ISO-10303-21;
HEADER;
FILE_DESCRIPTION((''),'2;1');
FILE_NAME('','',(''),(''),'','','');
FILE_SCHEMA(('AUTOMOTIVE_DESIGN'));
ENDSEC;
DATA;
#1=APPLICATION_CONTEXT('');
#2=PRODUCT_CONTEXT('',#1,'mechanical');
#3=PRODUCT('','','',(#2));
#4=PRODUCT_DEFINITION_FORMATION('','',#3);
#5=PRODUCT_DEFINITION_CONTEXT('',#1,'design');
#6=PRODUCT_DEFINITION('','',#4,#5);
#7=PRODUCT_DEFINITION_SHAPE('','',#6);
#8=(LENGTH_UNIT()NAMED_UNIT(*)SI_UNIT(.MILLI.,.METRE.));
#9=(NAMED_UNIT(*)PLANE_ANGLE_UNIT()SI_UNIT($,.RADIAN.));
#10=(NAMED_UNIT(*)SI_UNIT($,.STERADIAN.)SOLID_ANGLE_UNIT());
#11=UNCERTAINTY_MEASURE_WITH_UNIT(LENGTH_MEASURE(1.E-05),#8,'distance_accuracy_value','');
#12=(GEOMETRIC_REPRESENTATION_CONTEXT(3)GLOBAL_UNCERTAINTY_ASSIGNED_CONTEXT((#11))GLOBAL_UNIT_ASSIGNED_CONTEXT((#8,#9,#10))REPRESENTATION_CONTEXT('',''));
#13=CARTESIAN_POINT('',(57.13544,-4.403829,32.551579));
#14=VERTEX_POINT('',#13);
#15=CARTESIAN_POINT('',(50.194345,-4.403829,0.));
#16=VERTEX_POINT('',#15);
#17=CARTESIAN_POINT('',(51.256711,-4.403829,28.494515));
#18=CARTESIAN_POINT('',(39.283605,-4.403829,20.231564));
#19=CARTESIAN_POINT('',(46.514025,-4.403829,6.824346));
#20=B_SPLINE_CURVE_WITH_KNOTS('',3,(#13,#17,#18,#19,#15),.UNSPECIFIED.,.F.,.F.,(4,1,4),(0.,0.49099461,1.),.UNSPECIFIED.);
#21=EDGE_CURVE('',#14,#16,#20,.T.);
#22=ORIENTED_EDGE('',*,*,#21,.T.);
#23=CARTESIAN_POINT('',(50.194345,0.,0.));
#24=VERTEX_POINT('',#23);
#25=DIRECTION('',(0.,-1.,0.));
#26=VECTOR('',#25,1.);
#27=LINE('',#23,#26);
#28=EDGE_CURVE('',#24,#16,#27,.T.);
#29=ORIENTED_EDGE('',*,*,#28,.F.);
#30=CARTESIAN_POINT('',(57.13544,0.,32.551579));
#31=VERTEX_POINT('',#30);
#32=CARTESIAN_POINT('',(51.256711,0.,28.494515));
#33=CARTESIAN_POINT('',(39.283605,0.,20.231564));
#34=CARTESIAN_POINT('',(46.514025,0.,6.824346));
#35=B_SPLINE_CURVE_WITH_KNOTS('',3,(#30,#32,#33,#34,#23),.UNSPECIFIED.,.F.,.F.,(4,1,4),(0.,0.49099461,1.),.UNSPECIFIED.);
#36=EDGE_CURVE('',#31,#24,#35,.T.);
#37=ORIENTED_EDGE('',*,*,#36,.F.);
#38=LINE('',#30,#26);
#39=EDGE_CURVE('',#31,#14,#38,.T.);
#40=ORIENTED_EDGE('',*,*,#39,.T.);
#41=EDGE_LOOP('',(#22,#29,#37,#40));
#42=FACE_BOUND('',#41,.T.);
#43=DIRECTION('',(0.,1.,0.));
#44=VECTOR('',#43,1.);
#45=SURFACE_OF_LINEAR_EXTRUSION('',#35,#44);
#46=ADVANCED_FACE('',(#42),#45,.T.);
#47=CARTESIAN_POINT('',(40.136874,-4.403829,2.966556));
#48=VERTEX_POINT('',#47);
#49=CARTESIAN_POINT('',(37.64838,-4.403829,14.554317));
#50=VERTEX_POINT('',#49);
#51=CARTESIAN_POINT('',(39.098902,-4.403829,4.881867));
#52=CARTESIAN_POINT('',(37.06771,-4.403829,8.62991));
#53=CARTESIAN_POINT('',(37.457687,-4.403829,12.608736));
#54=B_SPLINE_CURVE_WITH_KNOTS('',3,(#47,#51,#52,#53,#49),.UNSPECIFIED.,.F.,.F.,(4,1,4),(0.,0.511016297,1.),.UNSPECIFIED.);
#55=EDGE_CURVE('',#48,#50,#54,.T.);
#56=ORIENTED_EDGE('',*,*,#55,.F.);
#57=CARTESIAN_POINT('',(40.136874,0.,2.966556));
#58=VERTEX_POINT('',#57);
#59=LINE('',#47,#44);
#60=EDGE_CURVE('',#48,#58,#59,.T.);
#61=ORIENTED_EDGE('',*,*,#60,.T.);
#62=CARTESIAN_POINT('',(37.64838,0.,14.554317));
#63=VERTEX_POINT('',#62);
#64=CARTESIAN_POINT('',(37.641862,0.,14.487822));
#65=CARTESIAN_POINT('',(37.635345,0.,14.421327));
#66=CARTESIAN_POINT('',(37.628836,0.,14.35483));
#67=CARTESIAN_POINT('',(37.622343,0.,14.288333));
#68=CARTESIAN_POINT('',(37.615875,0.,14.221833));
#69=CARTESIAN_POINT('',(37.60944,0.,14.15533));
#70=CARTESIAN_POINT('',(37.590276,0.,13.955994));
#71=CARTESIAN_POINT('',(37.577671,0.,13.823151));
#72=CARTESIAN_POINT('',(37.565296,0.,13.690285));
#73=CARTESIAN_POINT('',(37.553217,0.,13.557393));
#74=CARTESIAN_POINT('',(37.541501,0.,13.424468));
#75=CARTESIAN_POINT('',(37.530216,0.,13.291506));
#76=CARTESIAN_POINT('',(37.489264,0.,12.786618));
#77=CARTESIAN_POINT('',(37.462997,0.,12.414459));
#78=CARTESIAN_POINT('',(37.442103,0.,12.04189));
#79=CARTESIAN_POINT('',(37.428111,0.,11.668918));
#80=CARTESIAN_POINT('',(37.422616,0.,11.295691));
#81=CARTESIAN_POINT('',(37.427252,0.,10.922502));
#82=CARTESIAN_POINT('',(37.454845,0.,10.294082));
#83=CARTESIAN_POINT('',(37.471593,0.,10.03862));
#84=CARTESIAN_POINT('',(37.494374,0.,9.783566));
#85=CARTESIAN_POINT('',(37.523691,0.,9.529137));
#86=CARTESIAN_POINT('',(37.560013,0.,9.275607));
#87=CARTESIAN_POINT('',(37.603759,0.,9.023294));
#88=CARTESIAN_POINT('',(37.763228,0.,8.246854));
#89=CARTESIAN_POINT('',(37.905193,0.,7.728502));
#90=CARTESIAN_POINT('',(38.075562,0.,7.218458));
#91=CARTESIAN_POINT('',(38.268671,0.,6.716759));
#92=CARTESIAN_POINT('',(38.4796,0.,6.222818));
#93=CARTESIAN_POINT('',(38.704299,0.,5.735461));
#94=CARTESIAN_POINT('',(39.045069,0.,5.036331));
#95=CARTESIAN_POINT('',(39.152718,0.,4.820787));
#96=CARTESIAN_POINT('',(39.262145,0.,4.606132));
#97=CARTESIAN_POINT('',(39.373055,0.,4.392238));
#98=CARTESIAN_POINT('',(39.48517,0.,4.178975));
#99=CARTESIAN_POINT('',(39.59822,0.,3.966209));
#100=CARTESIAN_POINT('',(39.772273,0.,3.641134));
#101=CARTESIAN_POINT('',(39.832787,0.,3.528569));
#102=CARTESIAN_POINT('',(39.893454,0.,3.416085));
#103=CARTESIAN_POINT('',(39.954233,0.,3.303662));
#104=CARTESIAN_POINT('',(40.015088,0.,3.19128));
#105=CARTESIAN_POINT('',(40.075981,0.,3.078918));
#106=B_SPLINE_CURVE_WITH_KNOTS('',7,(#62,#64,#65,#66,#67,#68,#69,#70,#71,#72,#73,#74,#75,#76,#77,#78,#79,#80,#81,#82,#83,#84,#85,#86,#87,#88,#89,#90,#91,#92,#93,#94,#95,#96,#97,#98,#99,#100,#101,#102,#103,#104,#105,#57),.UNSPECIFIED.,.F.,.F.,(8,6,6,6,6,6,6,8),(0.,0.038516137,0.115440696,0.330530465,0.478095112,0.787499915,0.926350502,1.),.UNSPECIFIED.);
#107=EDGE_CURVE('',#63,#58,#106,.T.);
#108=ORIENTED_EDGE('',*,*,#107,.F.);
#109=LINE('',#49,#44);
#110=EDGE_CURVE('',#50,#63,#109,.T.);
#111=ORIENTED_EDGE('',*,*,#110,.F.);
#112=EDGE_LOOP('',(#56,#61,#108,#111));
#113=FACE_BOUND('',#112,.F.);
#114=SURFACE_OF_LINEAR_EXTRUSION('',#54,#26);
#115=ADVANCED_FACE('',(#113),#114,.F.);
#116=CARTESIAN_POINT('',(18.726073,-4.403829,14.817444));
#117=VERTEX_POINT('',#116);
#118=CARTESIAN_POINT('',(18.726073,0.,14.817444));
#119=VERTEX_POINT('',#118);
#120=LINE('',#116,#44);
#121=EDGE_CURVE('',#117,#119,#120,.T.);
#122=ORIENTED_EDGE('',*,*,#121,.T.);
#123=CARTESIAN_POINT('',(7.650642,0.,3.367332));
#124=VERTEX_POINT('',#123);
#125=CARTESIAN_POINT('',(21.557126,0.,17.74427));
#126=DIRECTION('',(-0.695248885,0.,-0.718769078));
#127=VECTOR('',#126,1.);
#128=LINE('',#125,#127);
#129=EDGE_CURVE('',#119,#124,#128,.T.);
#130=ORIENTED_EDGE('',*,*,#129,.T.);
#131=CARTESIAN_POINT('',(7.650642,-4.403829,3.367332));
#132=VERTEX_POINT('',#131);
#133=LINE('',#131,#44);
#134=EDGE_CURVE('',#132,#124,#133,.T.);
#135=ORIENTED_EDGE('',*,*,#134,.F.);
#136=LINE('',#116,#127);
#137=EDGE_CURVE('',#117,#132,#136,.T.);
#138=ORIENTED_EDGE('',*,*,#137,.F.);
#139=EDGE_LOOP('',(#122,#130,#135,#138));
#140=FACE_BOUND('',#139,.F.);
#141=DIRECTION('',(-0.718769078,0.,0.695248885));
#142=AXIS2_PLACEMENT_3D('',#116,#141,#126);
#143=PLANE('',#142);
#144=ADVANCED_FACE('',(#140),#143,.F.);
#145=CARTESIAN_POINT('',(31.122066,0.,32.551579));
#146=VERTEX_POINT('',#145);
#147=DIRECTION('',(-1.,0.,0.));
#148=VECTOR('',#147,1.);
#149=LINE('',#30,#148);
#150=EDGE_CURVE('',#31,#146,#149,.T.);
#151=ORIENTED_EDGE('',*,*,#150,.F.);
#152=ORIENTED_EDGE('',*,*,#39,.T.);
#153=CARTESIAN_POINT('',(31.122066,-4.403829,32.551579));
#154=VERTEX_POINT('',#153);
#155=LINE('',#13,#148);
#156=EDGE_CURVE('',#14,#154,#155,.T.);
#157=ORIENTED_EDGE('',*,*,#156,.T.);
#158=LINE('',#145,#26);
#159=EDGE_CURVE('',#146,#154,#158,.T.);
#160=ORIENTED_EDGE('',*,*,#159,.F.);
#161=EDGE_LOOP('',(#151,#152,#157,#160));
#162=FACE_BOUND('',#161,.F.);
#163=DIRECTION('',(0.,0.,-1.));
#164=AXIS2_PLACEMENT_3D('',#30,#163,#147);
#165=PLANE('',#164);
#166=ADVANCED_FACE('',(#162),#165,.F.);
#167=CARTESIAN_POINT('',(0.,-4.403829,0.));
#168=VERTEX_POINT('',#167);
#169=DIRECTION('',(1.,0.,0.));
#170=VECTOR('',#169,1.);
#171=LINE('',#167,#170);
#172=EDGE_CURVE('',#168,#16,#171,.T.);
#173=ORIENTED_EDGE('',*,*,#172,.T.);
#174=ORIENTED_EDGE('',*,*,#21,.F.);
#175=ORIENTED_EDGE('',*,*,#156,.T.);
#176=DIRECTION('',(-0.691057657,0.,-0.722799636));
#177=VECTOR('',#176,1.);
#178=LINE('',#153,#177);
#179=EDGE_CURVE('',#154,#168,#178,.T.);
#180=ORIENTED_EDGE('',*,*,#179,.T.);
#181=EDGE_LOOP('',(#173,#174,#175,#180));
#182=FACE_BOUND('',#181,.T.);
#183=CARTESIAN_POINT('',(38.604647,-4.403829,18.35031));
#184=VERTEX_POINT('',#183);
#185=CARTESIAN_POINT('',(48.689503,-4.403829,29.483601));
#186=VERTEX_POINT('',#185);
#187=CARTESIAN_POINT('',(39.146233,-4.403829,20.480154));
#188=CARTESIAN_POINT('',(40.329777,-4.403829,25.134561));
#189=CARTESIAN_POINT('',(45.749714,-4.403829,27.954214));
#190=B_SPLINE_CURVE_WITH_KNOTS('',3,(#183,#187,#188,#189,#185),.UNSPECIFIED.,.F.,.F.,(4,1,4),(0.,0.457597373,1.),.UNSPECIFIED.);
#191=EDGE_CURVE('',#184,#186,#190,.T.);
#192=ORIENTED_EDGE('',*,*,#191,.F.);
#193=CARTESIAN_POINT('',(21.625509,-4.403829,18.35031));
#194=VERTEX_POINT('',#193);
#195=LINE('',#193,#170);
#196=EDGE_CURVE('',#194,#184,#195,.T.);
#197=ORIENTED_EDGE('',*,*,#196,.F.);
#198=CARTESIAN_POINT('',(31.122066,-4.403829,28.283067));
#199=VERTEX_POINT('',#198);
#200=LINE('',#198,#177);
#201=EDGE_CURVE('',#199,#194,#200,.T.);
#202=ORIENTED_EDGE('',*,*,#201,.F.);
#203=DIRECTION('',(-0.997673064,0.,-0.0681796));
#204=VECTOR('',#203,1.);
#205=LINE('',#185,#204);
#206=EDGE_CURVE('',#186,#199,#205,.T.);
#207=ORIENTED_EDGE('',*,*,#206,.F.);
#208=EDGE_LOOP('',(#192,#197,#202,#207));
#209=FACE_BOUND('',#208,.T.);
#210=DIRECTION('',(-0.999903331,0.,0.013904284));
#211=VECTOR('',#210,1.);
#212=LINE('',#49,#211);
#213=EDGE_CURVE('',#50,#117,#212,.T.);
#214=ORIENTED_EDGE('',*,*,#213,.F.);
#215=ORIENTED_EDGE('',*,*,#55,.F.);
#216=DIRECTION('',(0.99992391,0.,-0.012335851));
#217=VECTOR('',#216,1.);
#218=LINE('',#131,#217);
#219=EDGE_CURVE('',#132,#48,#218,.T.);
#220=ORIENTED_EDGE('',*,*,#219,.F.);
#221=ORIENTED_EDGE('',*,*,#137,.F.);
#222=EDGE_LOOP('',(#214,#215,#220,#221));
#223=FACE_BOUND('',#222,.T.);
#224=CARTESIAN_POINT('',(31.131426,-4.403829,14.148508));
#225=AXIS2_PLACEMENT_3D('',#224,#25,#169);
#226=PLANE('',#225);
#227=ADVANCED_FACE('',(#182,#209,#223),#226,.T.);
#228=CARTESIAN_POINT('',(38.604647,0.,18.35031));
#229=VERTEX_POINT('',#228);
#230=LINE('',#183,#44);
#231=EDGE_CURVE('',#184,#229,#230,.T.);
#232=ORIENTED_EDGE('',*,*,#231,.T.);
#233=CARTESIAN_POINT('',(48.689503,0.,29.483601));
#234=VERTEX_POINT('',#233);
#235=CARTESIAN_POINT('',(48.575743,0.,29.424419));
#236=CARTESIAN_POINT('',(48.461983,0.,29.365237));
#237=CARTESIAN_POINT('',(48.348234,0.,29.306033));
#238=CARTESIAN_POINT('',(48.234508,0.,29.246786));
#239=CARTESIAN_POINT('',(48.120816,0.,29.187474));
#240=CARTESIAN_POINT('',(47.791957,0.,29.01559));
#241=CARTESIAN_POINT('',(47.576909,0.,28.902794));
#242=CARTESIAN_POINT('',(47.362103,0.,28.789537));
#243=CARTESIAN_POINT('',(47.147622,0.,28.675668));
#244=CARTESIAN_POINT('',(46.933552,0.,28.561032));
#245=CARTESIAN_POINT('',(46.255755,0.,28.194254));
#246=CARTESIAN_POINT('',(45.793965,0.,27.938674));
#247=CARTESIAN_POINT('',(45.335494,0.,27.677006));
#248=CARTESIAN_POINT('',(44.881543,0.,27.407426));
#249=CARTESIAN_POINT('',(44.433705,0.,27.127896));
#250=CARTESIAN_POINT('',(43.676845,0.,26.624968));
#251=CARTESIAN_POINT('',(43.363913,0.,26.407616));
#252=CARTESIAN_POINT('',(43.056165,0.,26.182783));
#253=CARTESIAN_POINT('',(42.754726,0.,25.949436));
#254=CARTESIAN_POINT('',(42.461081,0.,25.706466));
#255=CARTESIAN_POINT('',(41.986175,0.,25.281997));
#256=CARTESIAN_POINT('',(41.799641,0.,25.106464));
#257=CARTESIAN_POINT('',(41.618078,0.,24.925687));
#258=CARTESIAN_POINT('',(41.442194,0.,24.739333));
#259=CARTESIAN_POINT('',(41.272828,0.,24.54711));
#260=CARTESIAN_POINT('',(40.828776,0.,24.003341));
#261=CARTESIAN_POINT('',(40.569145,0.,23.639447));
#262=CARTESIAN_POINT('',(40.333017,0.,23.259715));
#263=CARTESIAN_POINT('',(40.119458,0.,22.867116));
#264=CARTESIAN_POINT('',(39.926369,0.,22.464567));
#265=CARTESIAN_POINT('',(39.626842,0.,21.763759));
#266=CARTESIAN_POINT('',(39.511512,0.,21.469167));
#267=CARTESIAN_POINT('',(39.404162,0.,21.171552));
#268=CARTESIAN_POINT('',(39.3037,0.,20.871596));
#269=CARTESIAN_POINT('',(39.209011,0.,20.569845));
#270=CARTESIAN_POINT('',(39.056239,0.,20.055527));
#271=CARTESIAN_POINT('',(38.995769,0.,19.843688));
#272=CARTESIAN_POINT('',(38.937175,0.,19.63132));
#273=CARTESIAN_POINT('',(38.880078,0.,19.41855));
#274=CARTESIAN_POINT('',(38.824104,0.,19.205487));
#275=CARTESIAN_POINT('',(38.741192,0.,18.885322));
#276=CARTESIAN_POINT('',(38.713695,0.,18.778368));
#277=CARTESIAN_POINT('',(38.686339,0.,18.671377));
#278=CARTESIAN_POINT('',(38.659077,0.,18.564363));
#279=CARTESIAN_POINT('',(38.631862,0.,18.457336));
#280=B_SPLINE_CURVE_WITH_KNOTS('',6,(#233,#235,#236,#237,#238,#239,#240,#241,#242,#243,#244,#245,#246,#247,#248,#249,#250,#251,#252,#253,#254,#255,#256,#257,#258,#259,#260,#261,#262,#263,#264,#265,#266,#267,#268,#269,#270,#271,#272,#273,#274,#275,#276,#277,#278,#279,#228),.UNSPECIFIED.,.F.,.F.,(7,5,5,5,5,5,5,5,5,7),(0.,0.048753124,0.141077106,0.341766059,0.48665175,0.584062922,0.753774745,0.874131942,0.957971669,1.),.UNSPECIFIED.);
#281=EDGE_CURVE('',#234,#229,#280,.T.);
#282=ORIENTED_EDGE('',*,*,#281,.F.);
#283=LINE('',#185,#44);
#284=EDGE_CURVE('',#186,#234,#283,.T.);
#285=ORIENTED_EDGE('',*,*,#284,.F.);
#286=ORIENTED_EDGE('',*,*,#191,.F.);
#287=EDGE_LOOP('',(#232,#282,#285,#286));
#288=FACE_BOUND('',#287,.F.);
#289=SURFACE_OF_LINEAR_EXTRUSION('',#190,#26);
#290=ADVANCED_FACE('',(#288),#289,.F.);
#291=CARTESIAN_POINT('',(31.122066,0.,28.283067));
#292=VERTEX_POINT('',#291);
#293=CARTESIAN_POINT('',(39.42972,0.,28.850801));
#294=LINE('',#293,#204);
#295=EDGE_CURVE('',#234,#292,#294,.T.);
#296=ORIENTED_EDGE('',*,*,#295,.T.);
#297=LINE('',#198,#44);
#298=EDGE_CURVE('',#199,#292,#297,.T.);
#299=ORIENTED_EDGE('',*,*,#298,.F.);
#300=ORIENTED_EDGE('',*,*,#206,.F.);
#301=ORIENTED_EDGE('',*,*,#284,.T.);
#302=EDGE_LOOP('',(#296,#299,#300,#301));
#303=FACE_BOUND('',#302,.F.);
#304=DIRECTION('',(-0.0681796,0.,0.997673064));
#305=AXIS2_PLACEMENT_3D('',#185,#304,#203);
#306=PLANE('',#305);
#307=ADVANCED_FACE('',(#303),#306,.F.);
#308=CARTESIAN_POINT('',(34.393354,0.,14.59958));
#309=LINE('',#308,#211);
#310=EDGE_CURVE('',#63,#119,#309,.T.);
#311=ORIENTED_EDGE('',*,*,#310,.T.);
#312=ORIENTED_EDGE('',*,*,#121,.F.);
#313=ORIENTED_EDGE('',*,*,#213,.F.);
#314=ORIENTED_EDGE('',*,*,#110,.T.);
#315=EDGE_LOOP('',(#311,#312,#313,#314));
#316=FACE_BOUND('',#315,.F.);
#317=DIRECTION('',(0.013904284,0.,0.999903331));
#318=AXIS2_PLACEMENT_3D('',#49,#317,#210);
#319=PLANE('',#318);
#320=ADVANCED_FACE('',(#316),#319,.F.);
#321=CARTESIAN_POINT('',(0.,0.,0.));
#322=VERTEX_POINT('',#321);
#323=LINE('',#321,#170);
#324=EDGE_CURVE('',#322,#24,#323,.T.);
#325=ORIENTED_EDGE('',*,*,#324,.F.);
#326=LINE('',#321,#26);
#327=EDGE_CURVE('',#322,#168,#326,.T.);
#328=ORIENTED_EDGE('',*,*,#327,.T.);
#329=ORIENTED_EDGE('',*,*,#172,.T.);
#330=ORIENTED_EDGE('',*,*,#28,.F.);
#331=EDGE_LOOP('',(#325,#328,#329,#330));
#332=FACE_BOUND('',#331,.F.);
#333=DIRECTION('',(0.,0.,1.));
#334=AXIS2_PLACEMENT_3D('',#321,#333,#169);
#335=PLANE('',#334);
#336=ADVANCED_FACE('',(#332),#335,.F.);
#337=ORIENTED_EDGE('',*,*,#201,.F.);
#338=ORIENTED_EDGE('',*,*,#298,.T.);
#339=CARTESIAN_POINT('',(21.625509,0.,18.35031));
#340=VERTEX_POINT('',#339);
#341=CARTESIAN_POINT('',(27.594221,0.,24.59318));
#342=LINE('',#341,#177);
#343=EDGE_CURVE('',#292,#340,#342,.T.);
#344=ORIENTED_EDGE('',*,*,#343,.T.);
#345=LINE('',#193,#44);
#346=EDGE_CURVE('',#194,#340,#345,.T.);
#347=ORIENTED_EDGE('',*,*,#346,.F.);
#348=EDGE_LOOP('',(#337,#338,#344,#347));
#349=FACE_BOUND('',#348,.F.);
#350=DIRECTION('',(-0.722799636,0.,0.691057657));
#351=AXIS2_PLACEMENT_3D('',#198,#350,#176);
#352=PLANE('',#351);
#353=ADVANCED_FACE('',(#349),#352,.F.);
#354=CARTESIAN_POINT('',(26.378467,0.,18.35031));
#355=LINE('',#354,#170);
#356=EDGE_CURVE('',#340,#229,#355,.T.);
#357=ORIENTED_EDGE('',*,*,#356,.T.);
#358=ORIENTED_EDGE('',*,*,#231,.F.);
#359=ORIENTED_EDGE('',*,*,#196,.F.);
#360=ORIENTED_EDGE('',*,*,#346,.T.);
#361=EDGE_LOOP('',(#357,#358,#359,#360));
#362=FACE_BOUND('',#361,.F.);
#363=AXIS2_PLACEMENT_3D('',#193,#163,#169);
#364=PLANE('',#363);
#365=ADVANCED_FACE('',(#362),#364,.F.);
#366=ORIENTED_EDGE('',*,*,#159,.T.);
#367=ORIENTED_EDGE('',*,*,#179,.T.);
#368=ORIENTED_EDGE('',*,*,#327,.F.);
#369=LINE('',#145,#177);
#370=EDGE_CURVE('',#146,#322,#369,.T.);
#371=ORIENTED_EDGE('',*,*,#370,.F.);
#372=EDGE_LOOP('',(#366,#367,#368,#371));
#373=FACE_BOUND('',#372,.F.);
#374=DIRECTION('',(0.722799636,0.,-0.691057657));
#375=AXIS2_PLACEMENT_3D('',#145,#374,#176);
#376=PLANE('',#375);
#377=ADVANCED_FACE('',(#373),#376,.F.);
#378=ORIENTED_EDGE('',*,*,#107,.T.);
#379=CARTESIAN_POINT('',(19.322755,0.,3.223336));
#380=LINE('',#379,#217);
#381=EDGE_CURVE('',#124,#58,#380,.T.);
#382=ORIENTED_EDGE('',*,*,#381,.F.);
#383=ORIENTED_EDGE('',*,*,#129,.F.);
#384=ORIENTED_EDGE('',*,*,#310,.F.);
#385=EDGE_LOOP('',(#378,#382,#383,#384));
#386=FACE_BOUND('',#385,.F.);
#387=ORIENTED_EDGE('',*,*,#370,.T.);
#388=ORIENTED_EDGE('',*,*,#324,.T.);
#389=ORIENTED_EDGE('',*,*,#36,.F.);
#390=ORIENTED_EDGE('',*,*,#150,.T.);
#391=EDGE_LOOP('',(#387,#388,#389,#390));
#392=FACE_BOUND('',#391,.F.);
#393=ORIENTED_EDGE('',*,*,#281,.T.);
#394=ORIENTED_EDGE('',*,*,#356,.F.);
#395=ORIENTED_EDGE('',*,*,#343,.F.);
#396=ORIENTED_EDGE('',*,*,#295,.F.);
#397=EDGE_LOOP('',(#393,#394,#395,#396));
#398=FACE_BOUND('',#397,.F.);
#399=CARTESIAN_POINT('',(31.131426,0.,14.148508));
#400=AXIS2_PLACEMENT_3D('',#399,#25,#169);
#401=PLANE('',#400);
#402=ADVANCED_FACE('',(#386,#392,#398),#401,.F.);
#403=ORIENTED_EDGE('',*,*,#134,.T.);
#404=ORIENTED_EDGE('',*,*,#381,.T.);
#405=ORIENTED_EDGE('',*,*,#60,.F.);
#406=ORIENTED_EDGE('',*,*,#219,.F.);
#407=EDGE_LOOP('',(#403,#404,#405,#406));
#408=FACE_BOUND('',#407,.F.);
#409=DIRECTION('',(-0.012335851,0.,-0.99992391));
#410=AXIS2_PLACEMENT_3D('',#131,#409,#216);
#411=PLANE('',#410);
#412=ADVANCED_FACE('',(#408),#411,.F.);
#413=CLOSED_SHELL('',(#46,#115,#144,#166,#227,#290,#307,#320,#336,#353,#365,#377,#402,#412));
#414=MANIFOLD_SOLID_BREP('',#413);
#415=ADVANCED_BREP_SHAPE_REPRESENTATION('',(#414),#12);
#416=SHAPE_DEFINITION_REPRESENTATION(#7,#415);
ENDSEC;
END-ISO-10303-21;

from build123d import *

# Parameters (mm, degrees)
F4_DEPTH = 4.4038286433
F1_DEPTH = 25.4
F3_DEPTH = 25.4


with BuildPart() as f4:
    # F0 (on Front) → F4 (new body)
    with BuildSketch(Plane.XZ):
        with BuildLine():
            Line((31.1220660806, 32.5515791774), (0, 0))
            Line((0, 0), (50.1943454146, 0))
            add(Edge.make_bspline(
                [(57.1354404092, 32.5515791774), (51.2567108227, 28.4945148136), (39.283604536, 20.231564454), (46.5140247255, 6.824346213), (50.1943454146, 0)],
                knots=[0, 0, 0, 0, 0.4909946095, 1, 1, 1, 1], degree=3))
            Line((57.1354404092, 32.5515791774), (31.1220660806, 32.5515791774))
        make_face()
    extrude(amount=F4_DEPTH)

    # F5 (on face) → F1 (cut)
    with BuildSketch(Plane.XZ.offset(4.4038286433)):
        with BuildLine():
            Line((48.6895032227, 29.4836014509), (31.1220660806, 28.2830670476))
            Line((31.1220660806, 28.2830670476), (21.6255090178, 18.3503097448))
            Line((21.6255090178, 18.3503097448), (38.6046469212, 18.3503097448))
            add(Edge.make_bspline(
                [(38.6046469212, 18.3503097448), (39.1462333934, 20.4801539657), (40.329776692, 25.1345605855), (45.7497139994, 27.9542141002), (48.6895032227, 29.4836014509)],
                knots=[0, 0, 0, 0, 0.4575973734, 1, 1, 1, 1], degree=3))
        make_face()
    extrude(amount=-F1_DEPTH, mode=Mode.SUBTRACT)

    # F2 (on face) → F3 (cut)
    with BuildSketch(Plane.XZ.offset(4.4038286433)):
        with BuildLine():
            Line((37.6483798027, 14.5543171093), (18.7260732055, 14.8174436763))
            Line((18.7260732055, 14.8174436763), (7.6506421901, 3.3673320431))
            Line((7.6506421901, 3.3673320431), (40.1368737221, 2.9665562324))
            add(Edge.make_bspline(
                [(40.1368737221, 2.9665562324), (39.0989015719, 4.8818670377), (37.0677097284, 8.6299096625), (37.4576869265, 12.6087358362), (37.6483798027, 14.5543171093)],
                knots=[0, 0, 0, 0, 0.5110162974, 1, 1, 1, 1], degree=3))
        make_face()
    extrude(amount=-F3_DEPTH, mode=Mode.SUBTRACT)


solid = f4.part
